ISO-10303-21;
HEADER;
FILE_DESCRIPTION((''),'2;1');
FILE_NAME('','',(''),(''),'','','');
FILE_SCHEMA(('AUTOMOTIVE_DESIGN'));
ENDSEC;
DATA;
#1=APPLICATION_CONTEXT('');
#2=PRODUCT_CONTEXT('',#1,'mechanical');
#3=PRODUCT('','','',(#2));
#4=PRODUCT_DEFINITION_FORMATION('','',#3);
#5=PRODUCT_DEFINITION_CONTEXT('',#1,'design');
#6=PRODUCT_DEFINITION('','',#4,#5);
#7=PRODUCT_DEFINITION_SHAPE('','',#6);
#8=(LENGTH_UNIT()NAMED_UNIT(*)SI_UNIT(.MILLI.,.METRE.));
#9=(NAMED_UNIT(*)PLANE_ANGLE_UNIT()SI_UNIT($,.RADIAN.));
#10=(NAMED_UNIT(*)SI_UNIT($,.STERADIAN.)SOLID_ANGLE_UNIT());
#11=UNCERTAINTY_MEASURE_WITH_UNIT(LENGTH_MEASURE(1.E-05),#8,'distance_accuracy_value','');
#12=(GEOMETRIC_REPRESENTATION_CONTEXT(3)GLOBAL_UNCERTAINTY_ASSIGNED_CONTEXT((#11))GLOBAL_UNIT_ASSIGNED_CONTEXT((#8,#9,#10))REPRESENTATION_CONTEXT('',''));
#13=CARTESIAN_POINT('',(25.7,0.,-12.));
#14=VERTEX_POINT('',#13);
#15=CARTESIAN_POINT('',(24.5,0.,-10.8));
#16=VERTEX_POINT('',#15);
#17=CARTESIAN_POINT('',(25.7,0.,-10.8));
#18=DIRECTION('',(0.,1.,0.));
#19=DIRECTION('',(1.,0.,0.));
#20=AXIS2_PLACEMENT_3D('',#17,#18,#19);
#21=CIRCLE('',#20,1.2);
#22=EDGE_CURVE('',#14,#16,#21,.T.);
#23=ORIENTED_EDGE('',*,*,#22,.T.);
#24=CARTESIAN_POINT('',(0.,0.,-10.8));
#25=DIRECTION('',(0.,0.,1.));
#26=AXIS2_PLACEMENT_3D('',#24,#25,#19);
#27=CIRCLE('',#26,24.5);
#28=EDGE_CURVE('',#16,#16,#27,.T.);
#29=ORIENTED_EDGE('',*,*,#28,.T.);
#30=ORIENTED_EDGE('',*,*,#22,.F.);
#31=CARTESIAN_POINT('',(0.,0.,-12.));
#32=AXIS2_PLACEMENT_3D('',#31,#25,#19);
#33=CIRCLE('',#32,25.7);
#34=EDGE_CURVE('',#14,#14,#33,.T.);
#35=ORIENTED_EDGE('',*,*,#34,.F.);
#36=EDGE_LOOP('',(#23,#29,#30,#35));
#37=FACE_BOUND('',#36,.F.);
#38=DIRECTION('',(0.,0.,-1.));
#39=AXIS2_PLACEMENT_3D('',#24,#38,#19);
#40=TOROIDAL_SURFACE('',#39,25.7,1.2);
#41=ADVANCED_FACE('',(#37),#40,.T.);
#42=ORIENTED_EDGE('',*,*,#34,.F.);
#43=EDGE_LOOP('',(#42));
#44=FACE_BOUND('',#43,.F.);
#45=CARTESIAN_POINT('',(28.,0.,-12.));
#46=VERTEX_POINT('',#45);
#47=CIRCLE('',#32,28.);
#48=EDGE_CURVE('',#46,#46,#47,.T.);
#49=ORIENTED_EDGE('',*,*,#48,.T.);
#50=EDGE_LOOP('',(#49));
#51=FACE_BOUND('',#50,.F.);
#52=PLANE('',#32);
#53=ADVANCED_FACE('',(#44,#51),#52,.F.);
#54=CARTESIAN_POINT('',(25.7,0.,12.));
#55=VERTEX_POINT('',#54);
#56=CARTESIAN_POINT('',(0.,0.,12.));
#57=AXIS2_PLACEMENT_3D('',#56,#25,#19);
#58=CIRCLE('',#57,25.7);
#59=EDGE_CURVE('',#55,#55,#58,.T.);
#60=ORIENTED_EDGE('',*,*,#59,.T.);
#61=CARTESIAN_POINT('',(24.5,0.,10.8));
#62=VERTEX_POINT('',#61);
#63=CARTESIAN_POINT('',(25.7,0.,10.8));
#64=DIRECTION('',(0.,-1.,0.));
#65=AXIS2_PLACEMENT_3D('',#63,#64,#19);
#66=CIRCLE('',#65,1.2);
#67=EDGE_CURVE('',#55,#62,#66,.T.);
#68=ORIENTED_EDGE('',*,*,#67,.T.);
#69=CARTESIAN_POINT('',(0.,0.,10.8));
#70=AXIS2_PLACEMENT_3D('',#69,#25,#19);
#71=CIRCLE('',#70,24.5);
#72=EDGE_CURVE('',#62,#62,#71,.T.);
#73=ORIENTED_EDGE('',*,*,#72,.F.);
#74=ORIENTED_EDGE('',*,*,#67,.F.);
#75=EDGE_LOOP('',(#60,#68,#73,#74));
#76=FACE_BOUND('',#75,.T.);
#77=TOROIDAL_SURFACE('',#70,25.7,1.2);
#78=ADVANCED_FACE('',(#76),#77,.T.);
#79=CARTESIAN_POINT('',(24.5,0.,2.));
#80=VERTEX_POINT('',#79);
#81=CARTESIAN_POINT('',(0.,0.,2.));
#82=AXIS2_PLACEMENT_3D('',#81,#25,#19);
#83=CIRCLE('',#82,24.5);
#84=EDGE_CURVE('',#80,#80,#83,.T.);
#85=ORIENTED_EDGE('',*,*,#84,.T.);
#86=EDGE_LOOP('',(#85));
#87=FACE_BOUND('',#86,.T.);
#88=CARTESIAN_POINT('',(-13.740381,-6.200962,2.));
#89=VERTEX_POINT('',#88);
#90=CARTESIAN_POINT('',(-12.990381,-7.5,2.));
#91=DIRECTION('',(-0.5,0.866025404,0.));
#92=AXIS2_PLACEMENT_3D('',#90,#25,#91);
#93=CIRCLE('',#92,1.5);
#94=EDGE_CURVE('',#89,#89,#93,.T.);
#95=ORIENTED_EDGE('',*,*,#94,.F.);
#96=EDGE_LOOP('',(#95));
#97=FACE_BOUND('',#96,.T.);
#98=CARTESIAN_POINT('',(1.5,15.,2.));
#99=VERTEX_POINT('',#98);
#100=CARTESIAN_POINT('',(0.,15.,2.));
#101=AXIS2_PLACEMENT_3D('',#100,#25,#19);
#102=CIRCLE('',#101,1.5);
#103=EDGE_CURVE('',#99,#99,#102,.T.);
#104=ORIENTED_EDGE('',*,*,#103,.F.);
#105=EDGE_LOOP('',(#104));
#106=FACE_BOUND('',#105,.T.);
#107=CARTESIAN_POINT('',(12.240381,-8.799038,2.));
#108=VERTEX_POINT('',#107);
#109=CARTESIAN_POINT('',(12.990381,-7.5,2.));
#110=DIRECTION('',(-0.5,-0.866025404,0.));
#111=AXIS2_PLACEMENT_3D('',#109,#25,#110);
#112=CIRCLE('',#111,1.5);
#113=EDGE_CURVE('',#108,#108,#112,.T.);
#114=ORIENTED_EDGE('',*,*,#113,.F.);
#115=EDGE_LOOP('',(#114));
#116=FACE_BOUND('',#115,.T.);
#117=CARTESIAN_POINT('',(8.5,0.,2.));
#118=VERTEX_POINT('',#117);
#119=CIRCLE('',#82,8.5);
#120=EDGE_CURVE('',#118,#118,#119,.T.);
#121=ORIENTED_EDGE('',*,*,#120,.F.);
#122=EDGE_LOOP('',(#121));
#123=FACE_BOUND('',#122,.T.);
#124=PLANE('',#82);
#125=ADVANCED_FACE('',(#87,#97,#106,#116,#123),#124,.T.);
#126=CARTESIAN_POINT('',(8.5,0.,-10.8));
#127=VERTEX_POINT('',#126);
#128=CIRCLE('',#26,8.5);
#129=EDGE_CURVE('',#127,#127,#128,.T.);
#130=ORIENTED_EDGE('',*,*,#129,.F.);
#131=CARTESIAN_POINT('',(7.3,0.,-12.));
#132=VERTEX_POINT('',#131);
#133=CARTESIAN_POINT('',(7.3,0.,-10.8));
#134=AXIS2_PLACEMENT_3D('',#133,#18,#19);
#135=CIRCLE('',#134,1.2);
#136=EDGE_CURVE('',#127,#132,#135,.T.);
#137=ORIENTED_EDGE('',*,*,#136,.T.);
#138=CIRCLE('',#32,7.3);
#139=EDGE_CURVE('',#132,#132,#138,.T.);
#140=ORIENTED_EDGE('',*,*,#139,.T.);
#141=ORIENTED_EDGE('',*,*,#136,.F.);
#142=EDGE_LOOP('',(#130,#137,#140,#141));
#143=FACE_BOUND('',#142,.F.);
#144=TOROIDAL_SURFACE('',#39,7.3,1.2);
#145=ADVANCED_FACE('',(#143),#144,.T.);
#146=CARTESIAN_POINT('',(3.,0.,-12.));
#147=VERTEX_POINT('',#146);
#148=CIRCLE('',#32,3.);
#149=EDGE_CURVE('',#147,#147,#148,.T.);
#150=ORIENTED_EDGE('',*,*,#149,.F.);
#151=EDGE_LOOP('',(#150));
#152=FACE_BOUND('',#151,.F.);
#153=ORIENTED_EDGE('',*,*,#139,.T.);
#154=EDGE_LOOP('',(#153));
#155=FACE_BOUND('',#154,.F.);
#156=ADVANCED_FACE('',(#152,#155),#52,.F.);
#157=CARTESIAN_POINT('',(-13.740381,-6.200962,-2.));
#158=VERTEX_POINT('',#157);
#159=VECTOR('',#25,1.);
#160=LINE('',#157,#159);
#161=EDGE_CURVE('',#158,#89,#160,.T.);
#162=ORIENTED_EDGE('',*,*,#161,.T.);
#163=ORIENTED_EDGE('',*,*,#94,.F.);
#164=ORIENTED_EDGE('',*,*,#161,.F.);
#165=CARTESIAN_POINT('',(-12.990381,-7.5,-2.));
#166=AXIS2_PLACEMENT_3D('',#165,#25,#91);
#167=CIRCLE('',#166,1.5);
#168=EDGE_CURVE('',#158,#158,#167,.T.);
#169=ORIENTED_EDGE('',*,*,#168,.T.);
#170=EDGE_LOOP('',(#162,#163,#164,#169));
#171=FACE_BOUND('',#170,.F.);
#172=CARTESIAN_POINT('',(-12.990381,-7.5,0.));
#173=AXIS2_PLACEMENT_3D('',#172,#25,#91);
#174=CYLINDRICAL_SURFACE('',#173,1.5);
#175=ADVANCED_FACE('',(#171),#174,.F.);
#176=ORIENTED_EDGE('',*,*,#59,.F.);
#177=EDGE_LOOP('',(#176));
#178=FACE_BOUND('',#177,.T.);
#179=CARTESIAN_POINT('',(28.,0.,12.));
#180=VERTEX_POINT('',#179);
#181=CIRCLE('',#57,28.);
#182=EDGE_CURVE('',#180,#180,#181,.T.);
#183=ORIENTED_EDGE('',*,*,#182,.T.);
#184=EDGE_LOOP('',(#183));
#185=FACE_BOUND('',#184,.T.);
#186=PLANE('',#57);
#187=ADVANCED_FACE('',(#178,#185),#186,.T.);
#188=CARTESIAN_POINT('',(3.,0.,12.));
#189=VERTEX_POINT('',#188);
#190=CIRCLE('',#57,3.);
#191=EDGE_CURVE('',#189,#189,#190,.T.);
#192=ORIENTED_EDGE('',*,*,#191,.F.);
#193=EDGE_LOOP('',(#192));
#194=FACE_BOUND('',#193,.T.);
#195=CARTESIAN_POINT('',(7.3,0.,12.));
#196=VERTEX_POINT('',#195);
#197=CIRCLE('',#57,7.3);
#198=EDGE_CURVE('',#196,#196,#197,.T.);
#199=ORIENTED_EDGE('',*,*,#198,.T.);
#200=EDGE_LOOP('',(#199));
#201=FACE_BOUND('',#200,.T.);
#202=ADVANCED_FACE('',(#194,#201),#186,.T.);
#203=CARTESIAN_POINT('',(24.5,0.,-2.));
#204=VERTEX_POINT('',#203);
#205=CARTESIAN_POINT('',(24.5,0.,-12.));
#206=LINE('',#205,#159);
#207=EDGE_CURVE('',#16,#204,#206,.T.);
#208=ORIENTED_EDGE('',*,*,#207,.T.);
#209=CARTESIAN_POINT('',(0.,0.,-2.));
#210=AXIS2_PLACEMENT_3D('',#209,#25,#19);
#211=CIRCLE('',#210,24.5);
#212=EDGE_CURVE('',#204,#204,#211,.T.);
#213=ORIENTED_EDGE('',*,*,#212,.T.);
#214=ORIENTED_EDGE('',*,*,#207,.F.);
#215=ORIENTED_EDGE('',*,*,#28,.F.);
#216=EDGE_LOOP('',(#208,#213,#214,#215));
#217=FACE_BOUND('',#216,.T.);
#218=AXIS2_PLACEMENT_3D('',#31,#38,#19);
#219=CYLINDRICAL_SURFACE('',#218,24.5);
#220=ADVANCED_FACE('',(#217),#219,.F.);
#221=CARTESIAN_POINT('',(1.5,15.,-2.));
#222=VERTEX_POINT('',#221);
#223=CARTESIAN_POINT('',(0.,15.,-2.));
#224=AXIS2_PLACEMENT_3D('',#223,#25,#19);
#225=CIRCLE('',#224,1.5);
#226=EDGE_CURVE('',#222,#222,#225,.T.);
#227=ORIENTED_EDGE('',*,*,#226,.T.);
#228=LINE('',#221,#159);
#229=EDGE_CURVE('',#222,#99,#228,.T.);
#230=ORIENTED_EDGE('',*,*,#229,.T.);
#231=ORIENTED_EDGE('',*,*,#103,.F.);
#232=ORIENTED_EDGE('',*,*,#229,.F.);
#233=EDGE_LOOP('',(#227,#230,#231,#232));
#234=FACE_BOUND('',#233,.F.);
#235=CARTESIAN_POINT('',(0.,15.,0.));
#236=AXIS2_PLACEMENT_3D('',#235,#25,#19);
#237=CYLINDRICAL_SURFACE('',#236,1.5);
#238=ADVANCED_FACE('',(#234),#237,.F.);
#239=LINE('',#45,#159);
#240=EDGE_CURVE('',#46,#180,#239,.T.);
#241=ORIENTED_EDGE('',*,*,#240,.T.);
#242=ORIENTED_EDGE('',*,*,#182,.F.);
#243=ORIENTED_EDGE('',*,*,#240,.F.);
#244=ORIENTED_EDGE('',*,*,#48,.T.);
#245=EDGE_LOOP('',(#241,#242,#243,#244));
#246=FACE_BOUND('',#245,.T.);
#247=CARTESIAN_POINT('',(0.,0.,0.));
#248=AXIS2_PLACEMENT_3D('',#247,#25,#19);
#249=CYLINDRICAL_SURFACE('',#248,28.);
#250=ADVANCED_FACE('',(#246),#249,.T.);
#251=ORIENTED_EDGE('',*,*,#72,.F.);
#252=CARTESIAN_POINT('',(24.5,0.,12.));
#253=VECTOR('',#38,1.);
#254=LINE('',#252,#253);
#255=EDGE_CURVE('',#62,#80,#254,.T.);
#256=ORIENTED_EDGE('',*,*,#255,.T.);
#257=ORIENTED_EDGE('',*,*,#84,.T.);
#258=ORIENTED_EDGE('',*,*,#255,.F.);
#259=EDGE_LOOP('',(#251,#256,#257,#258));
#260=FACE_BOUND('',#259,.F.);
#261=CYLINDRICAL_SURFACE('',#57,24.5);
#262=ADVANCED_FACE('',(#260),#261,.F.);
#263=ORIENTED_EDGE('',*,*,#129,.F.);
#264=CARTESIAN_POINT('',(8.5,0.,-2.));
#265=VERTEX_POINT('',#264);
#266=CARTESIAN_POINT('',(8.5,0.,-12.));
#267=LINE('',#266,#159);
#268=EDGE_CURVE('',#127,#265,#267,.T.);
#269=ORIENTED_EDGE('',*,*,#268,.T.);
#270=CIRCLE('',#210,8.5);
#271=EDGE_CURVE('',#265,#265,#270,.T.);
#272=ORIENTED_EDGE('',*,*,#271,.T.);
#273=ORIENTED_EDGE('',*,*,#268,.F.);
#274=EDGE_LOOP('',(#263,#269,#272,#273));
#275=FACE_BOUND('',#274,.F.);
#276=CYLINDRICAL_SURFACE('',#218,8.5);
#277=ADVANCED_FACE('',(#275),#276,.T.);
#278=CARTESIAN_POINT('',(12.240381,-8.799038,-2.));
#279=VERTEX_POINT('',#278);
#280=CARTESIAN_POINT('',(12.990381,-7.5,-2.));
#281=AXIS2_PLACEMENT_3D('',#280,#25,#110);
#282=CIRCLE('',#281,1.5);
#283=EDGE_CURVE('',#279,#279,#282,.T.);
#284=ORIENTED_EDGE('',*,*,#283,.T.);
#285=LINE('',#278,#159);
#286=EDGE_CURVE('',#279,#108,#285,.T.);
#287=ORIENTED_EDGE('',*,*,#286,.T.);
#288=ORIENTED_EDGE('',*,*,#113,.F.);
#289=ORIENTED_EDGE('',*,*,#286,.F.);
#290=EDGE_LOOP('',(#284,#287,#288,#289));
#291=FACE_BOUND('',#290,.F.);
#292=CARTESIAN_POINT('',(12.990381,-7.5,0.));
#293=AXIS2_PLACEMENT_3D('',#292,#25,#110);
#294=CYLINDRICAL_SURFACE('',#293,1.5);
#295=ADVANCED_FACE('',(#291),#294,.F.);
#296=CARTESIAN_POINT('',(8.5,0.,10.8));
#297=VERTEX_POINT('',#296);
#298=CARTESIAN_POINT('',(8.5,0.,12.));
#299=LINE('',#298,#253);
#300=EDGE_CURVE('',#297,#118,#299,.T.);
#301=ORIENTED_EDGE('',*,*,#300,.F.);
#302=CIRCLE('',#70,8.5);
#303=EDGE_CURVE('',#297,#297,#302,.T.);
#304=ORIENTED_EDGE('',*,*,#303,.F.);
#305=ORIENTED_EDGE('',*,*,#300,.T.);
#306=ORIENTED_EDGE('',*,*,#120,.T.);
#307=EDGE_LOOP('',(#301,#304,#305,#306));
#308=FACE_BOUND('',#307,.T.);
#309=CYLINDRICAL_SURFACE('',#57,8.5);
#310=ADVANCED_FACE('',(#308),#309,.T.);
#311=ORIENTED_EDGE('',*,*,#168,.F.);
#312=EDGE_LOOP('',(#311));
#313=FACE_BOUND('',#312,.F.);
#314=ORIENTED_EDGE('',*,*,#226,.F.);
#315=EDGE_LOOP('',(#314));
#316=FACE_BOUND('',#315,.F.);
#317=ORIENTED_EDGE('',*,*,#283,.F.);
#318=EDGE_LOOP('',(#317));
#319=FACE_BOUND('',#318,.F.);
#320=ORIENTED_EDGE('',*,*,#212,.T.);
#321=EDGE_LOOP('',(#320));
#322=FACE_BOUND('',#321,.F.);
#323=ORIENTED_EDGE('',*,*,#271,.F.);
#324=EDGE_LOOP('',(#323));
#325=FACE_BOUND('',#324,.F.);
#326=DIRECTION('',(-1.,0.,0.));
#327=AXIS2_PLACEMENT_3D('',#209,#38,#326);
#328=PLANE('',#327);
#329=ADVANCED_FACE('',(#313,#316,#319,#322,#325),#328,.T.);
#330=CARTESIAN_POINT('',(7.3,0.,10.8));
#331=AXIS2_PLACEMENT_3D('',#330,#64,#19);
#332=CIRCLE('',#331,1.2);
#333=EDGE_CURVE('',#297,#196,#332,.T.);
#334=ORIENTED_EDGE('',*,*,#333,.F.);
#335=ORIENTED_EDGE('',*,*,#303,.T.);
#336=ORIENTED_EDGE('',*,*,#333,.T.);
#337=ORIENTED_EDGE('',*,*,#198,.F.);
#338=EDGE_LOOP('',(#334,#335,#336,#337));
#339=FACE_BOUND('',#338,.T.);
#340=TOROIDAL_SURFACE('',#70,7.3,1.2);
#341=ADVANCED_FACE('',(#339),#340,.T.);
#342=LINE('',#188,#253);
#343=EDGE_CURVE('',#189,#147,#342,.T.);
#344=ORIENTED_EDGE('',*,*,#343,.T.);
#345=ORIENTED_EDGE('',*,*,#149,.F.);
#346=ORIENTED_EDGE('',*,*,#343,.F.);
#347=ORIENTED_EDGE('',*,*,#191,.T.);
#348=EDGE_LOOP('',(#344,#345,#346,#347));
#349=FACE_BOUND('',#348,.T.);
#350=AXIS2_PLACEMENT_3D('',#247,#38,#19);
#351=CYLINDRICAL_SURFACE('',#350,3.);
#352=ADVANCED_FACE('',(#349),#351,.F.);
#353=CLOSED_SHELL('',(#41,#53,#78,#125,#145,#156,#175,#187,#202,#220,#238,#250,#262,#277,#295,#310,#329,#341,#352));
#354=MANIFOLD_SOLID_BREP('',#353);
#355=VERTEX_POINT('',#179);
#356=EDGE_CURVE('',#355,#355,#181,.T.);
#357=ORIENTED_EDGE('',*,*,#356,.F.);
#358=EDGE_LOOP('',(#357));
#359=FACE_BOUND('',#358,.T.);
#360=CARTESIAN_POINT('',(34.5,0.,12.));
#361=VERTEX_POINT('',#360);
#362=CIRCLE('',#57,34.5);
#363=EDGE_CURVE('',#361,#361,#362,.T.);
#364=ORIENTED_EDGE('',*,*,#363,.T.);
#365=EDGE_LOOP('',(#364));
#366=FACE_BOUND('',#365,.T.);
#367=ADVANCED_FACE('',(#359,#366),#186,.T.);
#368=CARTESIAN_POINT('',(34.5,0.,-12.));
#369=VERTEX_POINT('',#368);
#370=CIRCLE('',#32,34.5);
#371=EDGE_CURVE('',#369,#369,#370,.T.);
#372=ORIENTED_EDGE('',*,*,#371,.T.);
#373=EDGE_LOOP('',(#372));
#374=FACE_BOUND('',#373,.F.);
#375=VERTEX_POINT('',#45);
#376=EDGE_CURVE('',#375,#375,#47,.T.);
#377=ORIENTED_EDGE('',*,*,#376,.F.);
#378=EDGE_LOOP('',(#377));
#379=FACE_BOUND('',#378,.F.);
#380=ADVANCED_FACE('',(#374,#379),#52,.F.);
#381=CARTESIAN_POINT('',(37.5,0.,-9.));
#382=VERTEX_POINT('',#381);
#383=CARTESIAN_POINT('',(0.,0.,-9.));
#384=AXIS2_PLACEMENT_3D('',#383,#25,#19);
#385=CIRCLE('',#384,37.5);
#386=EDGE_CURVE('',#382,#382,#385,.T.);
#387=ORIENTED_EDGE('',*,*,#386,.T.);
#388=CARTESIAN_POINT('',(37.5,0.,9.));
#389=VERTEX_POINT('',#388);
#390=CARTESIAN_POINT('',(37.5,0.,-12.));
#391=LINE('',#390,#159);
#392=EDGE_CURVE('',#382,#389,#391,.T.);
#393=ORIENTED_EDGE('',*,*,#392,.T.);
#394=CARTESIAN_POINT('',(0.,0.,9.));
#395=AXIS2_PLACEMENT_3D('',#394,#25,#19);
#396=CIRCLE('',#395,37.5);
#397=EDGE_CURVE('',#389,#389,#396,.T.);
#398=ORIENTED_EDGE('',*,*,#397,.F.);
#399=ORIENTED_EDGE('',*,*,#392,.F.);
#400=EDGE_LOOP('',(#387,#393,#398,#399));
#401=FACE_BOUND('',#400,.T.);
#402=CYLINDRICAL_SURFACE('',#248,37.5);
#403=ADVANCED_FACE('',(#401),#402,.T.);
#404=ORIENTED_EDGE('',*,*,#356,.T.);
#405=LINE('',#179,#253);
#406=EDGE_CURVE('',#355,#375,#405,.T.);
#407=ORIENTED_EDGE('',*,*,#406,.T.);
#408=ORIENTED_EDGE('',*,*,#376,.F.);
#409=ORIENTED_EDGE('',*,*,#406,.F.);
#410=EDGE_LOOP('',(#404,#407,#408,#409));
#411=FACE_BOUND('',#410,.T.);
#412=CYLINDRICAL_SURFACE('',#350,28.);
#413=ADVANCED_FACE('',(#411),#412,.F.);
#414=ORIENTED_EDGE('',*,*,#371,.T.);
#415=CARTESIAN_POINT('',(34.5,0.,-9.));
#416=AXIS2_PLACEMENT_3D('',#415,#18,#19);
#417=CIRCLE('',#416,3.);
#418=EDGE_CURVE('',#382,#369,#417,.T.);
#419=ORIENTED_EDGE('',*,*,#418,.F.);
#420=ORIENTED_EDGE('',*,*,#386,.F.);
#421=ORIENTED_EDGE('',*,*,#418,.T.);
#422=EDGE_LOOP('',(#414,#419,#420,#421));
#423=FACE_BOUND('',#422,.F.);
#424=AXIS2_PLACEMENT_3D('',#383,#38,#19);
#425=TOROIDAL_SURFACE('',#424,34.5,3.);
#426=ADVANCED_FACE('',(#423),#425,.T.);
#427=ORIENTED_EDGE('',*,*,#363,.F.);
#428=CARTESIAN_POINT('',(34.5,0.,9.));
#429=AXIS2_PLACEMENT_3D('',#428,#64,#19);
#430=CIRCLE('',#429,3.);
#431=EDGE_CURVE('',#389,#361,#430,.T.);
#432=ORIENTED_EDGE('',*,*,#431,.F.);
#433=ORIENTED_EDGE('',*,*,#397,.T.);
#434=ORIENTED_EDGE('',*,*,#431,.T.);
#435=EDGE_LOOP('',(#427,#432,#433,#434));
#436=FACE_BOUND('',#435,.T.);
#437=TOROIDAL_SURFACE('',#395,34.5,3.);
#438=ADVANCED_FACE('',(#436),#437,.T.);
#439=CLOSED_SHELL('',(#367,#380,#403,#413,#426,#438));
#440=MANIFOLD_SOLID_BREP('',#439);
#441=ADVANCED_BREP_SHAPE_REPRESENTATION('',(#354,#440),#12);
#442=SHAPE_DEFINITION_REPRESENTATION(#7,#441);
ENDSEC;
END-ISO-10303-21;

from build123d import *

# Parameters (mm, degrees)
SKETCH_R           = 28
SKETCH_R_2         = 3
PAD_DEPTH          = 12
SKETCH001_R        = 24.5
SKETCH001_R_2      = 8.5
POCKET_DEPTH       = 10
FILLET_R           = 1.2
SKETCH003_R        = 1.5
POCKET001_DEPTH    = 2
POLARPATTERN_COUNT = 3
SKETCH002_R        = 37.5
SKETCH002_R_2      = 28
PAD001_DEPTH       = 12
FILLET001_R        = 3


with BuildPart() as body:
    # Sketch → Pad (new body, symmetric)
    with BuildSketch(Plane.XY):
        Circle(SKETCH_R)
        Circle(SKETCH_R_2, mode=Mode.SUBTRACT)
    extrude(amount=PAD_DEPTH, both=True)

    # Sketch001 (on Face4 of Pad) → Pocket (cut)
    with BuildSketch(Plane.XY.offset(12)):
        Circle(SKETCH001_R)
        Circle(SKETCH001_R_2, mode=Mode.SUBTRACT)
    pocket = extrude(amount=-POCKET_DEPTH, mode=Mode.SUBTRACT)

    # Mirrored: Pocket across XY
    add(pocket.mirror(Plane.XY), mode=Mode.SUBTRACT)

    # Fillet
    fillet_edges = [body.edges().sort_by_distance(p)[0] for p in [
        (-8.5, 0, 12),
        (-8.5, 0, -12),
        (-24.5, 0, -12),
        (-24.5, 0, 12),
    ]]
    fillet(fillet_edges, radius=FILLET_R)

    # Sketch003 → Pocket001 (cut, symmetric)
    with BuildSketch(Plane.XY):
        with Locations((0, 15)):
            Circle(SKETCH003_R)
    pocket001 = extrude(amount=POCKET001_DEPTH, both=True, mode=Mode.SUBTRACT)

    # PolarPattern: Pocket001 ×3 about axis
    polarpattern_axis = Axis((0, 0, 0), (0, 0, 1))
    for i in range(1, POLARPATTERN_COUNT):
        add(pocket001.rotate(polarpattern_axis, i * 360 / POLARPATTERN_COUNT), mode=Mode.SUBTRACT)


with BuildPart() as body001:
    # Sketch002 → Pad001 (new body, symmetric)
    with BuildSketch(Plane.XY):
        Circle(SKETCH002_R)
        Circle(SKETCH002_R_2, mode=Mode.SUBTRACT)
    extrude(amount=PAD001_DEPTH, both=True)

    # Fillet001
    fillet001_edges = [body001.edges().sort_by_distance(p)[0] for p in [
        (-37.5, 0, -12),
        (-37.5, 0, 12),
    ]]
    fillet(fillet001_edges, radius=FILLET001_R)


solid = Compound([body.part, body001.part])
